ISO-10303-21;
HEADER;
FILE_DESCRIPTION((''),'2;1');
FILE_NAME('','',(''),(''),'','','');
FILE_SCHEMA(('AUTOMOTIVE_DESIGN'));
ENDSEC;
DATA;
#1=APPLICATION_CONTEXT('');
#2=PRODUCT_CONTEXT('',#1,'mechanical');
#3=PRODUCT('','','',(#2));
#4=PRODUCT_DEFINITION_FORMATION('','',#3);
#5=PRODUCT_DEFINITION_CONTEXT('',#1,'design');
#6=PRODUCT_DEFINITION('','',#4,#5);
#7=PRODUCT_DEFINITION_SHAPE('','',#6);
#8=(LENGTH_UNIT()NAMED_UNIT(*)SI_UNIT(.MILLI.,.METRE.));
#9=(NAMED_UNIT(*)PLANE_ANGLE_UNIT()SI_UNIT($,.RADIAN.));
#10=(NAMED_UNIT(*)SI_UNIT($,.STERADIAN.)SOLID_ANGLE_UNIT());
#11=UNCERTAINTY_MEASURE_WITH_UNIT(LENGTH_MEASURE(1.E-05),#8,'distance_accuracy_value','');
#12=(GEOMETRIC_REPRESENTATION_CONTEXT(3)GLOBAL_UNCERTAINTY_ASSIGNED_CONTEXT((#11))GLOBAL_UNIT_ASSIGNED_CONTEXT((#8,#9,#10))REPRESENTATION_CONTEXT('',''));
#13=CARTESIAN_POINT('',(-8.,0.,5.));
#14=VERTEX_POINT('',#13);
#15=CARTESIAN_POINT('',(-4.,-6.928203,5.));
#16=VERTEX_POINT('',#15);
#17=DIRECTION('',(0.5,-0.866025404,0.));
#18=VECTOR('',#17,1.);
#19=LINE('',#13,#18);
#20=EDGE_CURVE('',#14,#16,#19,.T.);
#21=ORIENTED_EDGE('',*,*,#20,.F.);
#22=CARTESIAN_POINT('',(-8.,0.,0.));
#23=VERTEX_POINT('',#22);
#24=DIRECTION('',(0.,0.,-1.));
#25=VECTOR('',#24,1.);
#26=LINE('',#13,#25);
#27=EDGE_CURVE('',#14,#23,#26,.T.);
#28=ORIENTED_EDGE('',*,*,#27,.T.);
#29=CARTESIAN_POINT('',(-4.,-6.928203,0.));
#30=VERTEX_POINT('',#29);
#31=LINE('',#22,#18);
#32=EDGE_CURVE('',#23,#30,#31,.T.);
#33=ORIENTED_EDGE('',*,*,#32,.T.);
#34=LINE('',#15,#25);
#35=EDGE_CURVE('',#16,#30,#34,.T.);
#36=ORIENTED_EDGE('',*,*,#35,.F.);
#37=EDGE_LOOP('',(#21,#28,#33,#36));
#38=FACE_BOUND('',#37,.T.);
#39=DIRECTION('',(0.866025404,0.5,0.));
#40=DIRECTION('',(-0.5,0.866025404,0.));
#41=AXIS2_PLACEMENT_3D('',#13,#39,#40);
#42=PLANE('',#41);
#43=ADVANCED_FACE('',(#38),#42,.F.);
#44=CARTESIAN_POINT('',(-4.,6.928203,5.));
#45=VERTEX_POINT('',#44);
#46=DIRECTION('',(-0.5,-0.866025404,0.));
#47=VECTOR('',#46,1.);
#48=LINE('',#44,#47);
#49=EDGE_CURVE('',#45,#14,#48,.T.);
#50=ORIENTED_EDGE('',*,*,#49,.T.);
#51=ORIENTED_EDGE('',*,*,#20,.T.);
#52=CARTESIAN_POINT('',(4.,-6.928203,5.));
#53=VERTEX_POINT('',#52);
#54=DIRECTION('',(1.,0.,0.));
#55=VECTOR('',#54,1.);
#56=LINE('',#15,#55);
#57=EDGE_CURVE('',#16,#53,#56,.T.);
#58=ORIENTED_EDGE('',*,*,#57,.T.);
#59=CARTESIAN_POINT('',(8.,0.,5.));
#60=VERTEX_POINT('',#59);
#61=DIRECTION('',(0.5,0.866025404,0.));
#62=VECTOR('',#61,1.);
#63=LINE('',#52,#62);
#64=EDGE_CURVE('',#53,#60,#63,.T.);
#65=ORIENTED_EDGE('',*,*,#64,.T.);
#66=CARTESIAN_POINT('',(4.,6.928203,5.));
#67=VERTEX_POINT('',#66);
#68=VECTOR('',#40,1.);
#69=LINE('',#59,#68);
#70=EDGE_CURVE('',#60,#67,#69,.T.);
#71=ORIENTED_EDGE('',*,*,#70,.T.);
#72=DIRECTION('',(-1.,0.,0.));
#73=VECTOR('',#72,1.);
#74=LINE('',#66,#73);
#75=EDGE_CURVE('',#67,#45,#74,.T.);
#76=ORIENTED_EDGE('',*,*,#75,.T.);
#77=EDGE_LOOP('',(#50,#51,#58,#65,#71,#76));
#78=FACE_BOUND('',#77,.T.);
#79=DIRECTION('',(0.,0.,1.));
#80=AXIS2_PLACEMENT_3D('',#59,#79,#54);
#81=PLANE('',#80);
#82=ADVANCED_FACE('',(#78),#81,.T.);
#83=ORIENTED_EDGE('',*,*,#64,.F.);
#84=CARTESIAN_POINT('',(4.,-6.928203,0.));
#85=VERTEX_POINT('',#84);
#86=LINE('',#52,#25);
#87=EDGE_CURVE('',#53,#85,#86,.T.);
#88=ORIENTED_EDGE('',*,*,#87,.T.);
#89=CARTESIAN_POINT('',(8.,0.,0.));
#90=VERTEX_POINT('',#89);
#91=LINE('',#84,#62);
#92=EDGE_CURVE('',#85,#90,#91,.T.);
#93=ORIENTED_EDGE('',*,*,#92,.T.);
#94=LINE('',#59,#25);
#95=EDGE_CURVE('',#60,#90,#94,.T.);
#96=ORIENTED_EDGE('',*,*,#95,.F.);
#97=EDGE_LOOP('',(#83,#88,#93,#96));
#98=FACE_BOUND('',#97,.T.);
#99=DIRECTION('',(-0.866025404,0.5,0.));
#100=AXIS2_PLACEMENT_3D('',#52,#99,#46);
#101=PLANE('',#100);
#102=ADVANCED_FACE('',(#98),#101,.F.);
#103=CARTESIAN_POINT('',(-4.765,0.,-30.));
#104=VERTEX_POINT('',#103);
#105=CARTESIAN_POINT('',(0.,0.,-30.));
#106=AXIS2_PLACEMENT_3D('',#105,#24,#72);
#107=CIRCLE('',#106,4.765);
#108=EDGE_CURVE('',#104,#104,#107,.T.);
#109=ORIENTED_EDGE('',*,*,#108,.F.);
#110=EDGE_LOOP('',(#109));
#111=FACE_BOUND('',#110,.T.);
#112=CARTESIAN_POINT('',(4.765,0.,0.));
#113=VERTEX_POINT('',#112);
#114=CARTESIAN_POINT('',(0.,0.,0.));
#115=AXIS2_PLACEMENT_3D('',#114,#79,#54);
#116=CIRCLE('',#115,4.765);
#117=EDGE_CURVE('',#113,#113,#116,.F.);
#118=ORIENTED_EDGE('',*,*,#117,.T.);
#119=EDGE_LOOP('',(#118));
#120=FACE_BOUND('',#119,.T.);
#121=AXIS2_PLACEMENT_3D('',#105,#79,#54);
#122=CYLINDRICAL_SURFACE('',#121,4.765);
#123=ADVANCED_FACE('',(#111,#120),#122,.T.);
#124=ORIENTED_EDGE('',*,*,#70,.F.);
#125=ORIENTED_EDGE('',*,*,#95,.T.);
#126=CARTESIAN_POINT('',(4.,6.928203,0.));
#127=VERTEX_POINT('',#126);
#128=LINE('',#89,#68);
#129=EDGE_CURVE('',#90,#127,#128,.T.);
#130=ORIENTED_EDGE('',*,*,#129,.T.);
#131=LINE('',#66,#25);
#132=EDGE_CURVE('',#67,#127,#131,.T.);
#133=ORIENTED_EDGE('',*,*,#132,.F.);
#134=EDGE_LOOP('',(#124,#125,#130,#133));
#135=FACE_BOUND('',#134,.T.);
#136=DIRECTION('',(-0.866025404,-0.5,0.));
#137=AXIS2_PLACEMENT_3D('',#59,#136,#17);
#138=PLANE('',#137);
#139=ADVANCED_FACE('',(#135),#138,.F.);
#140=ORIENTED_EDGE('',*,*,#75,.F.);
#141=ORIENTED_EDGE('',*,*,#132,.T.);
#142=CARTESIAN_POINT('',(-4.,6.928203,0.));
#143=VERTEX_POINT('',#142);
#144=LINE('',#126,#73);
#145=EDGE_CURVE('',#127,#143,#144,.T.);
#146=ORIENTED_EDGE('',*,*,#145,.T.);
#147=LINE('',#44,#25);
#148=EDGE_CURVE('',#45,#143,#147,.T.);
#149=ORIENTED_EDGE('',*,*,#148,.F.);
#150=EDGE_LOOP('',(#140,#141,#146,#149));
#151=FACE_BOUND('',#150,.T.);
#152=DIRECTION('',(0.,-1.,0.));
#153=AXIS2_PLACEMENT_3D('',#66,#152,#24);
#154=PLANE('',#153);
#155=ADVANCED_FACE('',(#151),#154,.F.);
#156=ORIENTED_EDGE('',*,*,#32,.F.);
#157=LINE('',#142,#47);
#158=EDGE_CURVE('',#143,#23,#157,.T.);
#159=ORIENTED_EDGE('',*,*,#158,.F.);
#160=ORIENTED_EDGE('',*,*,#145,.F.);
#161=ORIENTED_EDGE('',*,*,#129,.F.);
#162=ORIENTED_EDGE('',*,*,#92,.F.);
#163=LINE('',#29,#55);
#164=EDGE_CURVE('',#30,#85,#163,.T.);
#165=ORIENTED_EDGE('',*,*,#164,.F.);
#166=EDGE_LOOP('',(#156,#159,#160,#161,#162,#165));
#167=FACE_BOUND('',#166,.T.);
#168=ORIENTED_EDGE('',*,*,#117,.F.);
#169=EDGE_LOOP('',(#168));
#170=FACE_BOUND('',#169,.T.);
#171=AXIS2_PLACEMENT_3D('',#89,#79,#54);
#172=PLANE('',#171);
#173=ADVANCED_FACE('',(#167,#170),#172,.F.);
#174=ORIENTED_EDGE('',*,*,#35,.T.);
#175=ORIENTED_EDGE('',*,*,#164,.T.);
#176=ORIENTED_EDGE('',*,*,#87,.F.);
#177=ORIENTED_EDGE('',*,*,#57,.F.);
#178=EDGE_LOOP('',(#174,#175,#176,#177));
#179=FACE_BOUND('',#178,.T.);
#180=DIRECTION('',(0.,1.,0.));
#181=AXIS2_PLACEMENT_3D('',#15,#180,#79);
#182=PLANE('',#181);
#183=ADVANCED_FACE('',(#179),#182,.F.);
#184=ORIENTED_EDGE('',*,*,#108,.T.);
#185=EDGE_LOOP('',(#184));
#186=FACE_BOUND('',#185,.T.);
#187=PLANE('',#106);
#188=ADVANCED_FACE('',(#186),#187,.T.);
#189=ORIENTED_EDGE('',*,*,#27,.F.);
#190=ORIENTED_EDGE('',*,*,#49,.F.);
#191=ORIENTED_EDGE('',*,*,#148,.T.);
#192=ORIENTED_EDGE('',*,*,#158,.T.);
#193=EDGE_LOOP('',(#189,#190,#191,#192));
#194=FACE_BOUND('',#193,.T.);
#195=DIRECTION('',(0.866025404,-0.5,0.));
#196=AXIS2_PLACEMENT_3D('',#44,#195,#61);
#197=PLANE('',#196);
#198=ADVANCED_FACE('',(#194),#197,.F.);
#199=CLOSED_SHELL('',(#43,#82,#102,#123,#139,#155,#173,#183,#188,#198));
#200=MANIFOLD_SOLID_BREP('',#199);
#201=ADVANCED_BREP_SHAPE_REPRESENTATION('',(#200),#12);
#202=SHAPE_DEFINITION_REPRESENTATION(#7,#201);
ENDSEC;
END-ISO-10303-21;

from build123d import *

# Parameters (mm, degrees)
RESSALTO_EXTRUS_O1_DEPTH = 5
ESBO_O2_R                = 4.765
RESSALTO_EXTRUS_O2_DEPTH = 30


with BuildPart() as part:
    # Esboço1 → Ressalto-extrusão1 (new body)
    with BuildSketch(Plane.XY):
        Polygon((8, 0), (4, 6.92820323), (-4, 6.92820323), (-8, 0), (-4, -6.92820323), (4, -6.92820323), align=None)
    extrude(amount=RESSALTO_EXTRUS_O1_DEPTH)

    # Esboço2 → Ressalto-extrusão2 (add)
    with BuildSketch(Plane(origin=(0, 0, 0), x_dir=(-1, 0, 0), z_dir=(0, 0, -1))):
        with Locations(Location((0, 0, 0), (0, 0, 180))):
            Circle(ESBO_O2_R)
    extrude(amount=RESSALTO_EXTRUS_O2_DEPTH)


solid = part.part
